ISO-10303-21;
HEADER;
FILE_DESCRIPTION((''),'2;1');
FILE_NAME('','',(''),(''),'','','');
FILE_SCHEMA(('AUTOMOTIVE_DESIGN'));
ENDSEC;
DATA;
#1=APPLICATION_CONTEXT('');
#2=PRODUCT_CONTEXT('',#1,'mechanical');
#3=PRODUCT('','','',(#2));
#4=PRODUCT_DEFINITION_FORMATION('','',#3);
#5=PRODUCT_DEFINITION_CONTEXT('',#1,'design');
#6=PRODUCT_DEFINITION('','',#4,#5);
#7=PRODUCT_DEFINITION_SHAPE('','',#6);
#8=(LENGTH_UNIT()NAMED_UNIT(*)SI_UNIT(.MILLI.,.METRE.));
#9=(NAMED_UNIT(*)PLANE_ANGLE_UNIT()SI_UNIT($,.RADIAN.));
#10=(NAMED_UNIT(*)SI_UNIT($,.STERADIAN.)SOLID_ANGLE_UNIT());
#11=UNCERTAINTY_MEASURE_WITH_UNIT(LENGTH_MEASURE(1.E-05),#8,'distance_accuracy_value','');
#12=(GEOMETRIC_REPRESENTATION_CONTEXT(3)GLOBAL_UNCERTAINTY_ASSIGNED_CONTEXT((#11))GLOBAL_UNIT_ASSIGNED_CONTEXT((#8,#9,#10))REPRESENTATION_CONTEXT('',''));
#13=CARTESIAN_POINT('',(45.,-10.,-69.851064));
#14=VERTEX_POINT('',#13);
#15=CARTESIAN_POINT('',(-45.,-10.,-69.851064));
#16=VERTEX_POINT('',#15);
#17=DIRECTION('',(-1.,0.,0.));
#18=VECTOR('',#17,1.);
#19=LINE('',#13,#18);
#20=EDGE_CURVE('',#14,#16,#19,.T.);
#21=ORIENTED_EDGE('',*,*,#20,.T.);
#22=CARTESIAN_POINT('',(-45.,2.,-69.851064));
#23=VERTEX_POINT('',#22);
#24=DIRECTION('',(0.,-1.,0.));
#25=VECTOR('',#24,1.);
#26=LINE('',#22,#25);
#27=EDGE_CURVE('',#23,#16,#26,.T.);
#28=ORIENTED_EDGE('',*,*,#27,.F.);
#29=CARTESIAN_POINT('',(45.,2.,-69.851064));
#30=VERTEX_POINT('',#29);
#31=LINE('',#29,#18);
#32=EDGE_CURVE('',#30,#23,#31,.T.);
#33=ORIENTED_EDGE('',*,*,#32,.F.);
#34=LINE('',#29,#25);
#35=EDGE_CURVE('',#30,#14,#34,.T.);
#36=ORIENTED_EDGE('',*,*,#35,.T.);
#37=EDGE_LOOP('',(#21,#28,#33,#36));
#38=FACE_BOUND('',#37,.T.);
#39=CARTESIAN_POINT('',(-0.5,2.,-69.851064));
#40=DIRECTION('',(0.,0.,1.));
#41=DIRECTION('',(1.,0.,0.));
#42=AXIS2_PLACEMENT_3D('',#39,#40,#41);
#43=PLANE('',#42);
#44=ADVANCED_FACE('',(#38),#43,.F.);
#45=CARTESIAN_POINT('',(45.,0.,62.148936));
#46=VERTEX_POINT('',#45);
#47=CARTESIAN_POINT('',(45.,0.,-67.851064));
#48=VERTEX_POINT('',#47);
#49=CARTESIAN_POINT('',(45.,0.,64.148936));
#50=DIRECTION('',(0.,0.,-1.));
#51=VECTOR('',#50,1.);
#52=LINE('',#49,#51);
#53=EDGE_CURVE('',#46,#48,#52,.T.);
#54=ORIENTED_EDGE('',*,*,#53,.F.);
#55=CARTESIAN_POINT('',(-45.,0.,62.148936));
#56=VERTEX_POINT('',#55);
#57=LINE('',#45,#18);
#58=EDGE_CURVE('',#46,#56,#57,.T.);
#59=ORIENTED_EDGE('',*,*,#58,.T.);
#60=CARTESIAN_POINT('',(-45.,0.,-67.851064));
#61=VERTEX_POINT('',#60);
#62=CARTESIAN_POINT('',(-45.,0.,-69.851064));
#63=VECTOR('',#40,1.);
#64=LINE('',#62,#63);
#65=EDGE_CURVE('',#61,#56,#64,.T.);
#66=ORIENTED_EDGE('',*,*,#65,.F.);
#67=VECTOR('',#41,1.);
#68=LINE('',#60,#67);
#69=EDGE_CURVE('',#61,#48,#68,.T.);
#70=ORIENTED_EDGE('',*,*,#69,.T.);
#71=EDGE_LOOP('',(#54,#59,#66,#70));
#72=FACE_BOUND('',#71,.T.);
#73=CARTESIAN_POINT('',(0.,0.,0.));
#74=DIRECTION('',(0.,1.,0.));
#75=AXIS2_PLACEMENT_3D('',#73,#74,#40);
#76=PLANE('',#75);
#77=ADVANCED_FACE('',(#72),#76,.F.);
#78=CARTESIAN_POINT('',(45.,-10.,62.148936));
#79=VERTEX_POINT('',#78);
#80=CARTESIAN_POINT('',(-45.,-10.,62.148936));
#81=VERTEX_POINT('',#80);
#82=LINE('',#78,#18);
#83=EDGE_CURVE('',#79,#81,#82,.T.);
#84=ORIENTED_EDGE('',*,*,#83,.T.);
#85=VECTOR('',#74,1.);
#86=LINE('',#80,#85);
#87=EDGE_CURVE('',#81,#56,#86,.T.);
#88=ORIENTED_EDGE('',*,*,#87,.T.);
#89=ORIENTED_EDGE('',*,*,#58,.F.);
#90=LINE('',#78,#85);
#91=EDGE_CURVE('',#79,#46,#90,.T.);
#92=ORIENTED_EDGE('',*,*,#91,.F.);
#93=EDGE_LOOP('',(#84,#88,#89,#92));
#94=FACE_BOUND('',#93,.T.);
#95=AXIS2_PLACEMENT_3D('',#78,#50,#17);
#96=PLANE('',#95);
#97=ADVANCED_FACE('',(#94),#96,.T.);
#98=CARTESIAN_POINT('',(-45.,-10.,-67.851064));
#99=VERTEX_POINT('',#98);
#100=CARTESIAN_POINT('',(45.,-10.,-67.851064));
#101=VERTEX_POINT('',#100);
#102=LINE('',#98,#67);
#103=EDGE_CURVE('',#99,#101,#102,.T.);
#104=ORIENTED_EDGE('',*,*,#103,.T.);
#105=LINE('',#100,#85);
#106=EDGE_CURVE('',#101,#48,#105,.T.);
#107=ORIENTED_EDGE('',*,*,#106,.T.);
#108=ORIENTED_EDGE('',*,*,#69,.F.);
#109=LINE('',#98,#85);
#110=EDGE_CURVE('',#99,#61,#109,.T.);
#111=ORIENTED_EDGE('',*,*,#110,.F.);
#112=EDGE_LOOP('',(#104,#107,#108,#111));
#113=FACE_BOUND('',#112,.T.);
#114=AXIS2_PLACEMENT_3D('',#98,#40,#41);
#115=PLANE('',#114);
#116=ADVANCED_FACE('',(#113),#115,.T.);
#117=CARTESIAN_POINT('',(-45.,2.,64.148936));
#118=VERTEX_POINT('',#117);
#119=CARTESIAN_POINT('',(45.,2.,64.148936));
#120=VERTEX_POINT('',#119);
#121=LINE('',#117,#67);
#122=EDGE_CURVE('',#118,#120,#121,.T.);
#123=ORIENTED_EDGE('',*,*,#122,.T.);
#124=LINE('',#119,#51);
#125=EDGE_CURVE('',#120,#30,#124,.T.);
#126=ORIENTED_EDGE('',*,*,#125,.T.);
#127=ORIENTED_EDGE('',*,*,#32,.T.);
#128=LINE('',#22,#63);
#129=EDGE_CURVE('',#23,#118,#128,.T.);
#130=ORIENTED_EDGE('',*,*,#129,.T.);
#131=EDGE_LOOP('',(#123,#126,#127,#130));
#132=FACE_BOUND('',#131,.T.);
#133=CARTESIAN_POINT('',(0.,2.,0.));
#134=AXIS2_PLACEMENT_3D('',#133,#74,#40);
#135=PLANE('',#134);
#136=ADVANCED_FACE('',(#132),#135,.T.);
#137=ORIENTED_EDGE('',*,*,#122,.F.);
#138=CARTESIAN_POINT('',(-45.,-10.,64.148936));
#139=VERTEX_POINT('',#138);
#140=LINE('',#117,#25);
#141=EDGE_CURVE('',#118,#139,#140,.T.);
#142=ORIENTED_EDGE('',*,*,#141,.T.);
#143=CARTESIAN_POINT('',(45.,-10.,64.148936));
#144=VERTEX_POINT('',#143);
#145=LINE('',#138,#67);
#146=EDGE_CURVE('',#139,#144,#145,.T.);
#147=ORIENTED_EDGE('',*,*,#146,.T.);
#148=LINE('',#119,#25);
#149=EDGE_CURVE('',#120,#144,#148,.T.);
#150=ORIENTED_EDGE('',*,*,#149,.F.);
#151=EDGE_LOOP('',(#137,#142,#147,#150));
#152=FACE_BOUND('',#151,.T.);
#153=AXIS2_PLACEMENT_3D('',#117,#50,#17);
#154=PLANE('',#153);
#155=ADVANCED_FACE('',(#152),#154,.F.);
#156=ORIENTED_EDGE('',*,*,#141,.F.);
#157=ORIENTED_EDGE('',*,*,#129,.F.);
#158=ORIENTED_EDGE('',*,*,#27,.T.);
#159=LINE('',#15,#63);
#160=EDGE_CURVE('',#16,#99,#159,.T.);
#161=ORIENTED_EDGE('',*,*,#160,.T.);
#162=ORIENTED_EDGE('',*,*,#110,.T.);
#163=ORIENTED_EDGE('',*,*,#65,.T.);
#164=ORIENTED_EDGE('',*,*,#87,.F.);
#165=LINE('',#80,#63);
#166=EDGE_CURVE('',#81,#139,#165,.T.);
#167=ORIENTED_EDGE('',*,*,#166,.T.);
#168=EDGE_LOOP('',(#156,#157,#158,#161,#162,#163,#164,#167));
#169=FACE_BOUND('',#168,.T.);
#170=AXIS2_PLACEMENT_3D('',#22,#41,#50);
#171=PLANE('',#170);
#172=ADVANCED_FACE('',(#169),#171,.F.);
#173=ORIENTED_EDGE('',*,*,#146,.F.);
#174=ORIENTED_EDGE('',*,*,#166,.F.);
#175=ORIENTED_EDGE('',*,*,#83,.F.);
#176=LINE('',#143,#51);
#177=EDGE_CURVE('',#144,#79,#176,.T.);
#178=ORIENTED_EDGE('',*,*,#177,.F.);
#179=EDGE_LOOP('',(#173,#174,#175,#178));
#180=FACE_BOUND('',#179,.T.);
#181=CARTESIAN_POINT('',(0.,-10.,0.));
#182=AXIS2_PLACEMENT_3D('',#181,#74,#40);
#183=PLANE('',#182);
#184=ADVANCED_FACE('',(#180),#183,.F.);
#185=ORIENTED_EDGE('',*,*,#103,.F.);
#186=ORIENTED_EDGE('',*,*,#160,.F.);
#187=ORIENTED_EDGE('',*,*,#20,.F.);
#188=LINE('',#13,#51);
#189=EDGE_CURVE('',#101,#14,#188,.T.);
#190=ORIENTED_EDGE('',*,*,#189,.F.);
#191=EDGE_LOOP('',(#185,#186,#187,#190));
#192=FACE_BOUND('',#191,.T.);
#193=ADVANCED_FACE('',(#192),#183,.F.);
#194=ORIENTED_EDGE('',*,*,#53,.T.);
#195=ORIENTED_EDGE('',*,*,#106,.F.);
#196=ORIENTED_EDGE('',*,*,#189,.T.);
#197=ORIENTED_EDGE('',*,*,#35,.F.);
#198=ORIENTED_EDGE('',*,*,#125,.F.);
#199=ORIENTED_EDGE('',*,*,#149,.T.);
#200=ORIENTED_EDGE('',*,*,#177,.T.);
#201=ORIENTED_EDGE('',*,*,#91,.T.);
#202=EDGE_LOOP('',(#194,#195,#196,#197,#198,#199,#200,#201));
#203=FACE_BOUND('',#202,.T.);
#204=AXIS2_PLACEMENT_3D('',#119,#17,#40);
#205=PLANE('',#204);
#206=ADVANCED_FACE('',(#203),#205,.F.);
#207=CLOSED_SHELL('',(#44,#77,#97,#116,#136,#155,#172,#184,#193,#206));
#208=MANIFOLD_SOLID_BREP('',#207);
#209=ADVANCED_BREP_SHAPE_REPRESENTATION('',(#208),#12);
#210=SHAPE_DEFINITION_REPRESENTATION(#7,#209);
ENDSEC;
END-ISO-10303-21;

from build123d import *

# Parameters (mm, degrees)
EXTRUDE_1_DEPTH = 2
SKETCH_3_W      = 90
SKETCH_3_H      = 2
EXTRUDE_2_DEPTH = 10


with BuildPart() as part:
    # 草图2 → 凸台-拉伸1 (new body)
    with BuildSketch(Plane(origin=(0, 0, 0), x_dir=(1, 0, 0), z_dir=(0, 1, 0))):
        Polygon((-0.5, 69.85106383), (-45, 69.85106383), (-45, -64.14893617), (45, -64.14893617), (45, 69.85106383), align=None)
    extrude(amount=EXTRUDE_1_DEPTH)

    # 草图3 → 凸台-拉伸2 (add)
    with BuildSketch(Plane(origin=(0, 0, 0), x_dir=(1, 0, 0), z_dir=(0, 1, 0))):
        with Locations((0, 68.85106383)):
            Rectangle(SKETCH_3_W, SKETCH_3_H)
        with Locations((0, -63.14893617)):
            Rectangle(SKETCH_3_W, SKETCH_3_H)
    extrude(amount=-EXTRUDE_2_DEPTH)


solid = part.part
